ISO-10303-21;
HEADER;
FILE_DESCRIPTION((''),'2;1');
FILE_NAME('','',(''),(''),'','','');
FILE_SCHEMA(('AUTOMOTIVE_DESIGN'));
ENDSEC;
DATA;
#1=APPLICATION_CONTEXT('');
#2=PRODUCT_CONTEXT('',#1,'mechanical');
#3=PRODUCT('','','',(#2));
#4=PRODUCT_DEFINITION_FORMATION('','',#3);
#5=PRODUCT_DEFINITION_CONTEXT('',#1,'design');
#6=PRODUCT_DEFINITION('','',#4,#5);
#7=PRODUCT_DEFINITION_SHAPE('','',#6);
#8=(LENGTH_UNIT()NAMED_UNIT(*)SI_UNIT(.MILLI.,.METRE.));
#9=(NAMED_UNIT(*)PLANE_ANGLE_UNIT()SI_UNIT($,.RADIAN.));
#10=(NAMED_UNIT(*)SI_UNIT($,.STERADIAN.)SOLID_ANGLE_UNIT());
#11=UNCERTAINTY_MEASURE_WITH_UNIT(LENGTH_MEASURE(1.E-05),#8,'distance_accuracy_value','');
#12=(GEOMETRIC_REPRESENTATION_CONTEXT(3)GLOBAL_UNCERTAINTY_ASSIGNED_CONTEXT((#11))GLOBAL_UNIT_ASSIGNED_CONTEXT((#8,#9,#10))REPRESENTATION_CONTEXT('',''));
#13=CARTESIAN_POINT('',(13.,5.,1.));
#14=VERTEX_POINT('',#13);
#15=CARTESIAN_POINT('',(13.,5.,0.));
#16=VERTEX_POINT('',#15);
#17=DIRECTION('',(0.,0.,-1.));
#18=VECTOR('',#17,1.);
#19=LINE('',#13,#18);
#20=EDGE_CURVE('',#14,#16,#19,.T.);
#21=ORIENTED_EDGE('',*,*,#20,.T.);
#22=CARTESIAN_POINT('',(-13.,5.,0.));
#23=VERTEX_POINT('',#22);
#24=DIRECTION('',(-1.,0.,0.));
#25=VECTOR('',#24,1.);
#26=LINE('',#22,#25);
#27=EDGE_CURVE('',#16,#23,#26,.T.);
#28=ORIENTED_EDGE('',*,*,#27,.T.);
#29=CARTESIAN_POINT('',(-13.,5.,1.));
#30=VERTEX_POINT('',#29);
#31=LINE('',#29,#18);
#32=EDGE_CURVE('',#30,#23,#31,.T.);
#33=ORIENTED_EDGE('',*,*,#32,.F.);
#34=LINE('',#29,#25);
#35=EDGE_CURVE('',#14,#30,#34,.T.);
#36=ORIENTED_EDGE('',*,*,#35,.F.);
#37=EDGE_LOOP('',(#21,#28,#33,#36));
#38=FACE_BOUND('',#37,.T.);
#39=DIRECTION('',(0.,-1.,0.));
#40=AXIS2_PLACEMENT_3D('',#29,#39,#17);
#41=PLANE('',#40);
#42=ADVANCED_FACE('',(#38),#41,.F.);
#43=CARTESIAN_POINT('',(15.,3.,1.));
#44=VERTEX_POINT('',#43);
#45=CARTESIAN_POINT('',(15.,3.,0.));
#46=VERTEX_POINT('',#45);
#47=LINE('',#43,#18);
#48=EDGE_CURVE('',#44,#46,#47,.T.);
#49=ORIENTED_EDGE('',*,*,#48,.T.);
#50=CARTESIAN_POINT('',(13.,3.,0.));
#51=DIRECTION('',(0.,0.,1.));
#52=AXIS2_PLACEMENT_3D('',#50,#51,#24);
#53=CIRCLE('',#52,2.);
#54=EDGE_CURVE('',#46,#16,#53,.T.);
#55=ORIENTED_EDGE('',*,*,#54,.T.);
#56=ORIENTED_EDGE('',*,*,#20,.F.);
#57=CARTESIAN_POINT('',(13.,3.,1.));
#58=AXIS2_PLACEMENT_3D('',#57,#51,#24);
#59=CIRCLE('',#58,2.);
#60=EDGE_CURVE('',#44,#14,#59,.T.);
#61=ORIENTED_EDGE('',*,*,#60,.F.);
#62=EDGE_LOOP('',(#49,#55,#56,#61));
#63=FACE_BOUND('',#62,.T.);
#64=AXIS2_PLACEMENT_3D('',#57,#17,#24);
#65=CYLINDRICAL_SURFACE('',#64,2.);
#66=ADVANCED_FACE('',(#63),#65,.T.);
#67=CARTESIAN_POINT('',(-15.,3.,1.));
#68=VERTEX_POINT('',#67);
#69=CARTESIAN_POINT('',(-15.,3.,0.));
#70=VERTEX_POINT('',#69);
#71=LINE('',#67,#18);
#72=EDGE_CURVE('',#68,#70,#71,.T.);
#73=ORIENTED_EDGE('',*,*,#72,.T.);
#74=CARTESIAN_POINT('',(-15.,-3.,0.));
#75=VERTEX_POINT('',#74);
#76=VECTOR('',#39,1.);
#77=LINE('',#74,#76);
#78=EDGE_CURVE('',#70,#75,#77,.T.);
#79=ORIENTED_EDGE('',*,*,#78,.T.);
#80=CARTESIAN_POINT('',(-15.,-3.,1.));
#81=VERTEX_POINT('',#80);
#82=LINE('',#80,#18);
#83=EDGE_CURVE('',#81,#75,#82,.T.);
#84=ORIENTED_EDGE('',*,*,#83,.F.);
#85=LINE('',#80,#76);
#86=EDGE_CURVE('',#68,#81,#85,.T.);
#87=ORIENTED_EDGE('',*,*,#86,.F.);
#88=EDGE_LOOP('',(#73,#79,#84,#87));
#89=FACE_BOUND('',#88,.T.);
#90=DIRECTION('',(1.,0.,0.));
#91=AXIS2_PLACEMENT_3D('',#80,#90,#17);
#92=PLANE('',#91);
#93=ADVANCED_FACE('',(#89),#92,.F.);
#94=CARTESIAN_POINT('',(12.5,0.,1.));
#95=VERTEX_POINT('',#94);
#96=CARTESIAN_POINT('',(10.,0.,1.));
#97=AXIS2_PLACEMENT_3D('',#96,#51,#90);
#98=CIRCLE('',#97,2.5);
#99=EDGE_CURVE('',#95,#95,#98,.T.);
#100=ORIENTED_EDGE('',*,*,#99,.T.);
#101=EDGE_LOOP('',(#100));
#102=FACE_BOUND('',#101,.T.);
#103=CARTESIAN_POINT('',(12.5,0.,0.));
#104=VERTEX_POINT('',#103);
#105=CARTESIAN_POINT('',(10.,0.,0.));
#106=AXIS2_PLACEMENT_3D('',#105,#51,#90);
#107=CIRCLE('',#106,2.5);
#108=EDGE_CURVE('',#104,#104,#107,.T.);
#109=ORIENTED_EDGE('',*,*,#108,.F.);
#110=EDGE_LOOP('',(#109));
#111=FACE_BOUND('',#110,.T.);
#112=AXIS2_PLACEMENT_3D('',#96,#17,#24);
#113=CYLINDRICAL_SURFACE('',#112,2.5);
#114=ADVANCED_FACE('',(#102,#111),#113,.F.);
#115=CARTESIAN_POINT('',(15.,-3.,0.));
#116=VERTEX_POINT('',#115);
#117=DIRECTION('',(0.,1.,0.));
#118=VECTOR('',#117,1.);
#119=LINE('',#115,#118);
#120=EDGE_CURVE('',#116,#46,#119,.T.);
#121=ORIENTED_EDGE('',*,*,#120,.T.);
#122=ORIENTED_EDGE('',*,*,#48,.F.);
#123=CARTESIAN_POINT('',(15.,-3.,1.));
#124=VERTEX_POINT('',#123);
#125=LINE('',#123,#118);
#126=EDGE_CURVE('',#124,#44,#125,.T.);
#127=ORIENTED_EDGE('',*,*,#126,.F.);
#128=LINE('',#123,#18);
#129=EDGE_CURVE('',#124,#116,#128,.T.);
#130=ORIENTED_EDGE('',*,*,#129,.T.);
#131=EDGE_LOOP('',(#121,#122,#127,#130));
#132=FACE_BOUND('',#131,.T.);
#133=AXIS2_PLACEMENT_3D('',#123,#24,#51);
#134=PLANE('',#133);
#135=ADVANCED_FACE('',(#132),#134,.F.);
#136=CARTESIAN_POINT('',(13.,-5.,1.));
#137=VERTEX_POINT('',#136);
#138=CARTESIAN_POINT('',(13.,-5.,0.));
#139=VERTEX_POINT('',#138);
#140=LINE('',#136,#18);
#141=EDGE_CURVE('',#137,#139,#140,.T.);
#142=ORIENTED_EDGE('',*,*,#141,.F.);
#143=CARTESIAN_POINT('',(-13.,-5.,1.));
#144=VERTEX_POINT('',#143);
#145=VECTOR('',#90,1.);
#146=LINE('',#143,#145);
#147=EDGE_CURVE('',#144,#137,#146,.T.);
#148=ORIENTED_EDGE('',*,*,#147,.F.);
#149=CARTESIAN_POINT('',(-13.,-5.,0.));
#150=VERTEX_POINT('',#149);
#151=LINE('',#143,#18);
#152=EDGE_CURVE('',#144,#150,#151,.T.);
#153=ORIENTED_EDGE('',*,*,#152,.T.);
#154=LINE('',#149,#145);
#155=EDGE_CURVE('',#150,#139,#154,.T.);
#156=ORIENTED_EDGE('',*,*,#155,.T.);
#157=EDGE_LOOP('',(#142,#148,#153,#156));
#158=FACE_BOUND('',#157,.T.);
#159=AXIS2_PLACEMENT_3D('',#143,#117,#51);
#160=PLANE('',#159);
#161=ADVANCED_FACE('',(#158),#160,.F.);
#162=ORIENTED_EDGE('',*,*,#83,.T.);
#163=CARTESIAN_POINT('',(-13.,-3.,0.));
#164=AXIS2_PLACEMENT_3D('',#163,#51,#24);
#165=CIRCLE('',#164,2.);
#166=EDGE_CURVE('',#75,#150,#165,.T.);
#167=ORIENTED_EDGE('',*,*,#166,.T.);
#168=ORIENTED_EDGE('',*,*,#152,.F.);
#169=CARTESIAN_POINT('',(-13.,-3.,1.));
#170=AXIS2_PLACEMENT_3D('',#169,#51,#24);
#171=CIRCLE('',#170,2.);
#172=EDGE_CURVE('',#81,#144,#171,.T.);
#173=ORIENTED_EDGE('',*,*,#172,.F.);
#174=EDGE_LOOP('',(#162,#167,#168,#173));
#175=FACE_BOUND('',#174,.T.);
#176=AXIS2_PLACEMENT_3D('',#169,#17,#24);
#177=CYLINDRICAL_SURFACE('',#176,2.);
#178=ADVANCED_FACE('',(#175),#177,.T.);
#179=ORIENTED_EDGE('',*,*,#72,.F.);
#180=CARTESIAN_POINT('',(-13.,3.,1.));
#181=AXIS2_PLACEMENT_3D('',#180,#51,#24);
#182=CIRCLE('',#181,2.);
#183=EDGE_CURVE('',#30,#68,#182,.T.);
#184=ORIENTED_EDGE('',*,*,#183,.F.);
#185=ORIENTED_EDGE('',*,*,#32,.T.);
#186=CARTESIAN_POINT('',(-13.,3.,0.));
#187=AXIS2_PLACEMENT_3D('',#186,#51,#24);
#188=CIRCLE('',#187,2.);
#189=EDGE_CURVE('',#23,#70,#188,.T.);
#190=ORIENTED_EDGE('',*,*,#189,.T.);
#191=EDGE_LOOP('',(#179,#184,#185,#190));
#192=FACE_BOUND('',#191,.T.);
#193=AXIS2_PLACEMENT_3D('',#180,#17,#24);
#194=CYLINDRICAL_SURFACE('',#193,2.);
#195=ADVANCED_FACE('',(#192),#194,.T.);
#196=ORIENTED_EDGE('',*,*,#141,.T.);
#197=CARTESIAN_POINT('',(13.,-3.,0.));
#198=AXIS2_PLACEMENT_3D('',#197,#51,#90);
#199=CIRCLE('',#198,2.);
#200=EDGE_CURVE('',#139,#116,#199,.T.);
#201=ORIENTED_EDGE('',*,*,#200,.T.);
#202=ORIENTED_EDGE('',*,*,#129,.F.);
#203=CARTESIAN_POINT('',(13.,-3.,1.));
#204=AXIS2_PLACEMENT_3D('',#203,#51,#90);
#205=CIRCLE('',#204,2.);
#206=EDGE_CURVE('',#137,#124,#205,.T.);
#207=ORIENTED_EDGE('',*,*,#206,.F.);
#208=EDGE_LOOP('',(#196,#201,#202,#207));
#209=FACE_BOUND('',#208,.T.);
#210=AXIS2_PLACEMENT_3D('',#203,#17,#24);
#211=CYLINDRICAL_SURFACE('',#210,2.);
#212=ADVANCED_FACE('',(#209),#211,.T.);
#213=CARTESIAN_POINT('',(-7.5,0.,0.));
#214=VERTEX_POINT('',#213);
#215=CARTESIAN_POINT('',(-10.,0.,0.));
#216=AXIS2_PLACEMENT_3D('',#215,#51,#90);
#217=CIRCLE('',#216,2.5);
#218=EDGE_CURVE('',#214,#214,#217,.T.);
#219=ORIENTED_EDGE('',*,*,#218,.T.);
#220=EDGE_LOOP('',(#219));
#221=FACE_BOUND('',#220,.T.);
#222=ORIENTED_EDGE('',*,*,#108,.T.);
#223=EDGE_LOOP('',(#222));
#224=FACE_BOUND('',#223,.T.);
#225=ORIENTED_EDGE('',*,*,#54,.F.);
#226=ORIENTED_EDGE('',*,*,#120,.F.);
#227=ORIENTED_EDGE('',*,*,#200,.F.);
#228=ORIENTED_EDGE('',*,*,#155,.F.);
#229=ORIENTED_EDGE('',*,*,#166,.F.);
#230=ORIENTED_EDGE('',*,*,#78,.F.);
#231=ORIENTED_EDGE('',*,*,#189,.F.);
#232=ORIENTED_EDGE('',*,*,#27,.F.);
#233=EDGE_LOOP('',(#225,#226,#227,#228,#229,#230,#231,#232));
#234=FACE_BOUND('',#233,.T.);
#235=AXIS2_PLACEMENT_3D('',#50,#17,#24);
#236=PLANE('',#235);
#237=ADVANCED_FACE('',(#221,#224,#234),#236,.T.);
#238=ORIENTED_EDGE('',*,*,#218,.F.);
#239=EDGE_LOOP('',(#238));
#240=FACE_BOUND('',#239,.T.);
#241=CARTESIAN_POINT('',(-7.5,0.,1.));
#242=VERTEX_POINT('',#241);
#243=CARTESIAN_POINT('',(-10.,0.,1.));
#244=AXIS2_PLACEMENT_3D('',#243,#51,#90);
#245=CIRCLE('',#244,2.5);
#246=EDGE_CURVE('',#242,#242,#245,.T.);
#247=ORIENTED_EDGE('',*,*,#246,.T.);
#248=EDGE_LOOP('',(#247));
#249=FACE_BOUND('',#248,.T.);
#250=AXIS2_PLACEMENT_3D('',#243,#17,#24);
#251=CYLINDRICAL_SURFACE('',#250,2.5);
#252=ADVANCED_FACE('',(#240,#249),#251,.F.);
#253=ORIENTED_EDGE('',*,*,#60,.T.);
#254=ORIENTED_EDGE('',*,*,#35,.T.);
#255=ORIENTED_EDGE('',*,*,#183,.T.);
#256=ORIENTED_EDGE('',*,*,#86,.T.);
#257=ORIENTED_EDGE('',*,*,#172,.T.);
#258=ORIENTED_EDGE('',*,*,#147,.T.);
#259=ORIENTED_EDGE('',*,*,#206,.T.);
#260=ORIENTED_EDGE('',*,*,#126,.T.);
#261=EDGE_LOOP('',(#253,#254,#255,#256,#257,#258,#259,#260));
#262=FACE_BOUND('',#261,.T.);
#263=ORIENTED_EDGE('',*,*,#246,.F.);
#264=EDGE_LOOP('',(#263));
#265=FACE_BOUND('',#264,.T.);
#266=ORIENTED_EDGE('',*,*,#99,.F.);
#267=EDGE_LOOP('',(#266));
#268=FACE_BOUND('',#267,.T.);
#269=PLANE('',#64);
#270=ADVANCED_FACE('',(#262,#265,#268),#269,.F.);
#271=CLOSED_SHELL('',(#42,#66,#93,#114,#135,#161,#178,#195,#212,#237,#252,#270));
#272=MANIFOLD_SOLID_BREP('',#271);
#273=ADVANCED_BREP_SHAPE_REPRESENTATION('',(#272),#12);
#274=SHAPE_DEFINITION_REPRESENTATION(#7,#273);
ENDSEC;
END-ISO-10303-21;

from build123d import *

# Parameters (mm, degrees)
SKETCH1_R           = 2.5
BOSS_EXTRUDE1_DEPTH = 1


with BuildPart() as part:
    # Sketch1 → Boss-Extrude1 (new body)
    with BuildSketch(Plane.XY):
        with BuildLine():
            Line((-13, -5), (13, -5))
            ThreePointArc((13, -5), (14.414213562, -4.414213562), (15, -3))
            Line((15, -3), (15, 3))
            ThreePointArc((15, 3), (14.414213562, 4.414213562), (13, 5))
            Line((13, 5), (-13, 5))
            ThreePointArc((-13, 5), (-14.414213562, 4.414213562), (-15, 3))
            Line((-15, 3), (-15, -3))
            ThreePointArc((-15, -3), (-14.414213562, -4.414213562), (-13, -5))
        make_face()
        with Locations((-10, 0)):
            Circle(SKETCH1_R, mode=Mode.SUBTRACT)
        with Locations((10, 0)):
            Circle(SKETCH1_R, mode=Mode.SUBTRACT)
    extrude(amount=BOSS_EXTRUDE1_DEPTH)


solid = part.part
